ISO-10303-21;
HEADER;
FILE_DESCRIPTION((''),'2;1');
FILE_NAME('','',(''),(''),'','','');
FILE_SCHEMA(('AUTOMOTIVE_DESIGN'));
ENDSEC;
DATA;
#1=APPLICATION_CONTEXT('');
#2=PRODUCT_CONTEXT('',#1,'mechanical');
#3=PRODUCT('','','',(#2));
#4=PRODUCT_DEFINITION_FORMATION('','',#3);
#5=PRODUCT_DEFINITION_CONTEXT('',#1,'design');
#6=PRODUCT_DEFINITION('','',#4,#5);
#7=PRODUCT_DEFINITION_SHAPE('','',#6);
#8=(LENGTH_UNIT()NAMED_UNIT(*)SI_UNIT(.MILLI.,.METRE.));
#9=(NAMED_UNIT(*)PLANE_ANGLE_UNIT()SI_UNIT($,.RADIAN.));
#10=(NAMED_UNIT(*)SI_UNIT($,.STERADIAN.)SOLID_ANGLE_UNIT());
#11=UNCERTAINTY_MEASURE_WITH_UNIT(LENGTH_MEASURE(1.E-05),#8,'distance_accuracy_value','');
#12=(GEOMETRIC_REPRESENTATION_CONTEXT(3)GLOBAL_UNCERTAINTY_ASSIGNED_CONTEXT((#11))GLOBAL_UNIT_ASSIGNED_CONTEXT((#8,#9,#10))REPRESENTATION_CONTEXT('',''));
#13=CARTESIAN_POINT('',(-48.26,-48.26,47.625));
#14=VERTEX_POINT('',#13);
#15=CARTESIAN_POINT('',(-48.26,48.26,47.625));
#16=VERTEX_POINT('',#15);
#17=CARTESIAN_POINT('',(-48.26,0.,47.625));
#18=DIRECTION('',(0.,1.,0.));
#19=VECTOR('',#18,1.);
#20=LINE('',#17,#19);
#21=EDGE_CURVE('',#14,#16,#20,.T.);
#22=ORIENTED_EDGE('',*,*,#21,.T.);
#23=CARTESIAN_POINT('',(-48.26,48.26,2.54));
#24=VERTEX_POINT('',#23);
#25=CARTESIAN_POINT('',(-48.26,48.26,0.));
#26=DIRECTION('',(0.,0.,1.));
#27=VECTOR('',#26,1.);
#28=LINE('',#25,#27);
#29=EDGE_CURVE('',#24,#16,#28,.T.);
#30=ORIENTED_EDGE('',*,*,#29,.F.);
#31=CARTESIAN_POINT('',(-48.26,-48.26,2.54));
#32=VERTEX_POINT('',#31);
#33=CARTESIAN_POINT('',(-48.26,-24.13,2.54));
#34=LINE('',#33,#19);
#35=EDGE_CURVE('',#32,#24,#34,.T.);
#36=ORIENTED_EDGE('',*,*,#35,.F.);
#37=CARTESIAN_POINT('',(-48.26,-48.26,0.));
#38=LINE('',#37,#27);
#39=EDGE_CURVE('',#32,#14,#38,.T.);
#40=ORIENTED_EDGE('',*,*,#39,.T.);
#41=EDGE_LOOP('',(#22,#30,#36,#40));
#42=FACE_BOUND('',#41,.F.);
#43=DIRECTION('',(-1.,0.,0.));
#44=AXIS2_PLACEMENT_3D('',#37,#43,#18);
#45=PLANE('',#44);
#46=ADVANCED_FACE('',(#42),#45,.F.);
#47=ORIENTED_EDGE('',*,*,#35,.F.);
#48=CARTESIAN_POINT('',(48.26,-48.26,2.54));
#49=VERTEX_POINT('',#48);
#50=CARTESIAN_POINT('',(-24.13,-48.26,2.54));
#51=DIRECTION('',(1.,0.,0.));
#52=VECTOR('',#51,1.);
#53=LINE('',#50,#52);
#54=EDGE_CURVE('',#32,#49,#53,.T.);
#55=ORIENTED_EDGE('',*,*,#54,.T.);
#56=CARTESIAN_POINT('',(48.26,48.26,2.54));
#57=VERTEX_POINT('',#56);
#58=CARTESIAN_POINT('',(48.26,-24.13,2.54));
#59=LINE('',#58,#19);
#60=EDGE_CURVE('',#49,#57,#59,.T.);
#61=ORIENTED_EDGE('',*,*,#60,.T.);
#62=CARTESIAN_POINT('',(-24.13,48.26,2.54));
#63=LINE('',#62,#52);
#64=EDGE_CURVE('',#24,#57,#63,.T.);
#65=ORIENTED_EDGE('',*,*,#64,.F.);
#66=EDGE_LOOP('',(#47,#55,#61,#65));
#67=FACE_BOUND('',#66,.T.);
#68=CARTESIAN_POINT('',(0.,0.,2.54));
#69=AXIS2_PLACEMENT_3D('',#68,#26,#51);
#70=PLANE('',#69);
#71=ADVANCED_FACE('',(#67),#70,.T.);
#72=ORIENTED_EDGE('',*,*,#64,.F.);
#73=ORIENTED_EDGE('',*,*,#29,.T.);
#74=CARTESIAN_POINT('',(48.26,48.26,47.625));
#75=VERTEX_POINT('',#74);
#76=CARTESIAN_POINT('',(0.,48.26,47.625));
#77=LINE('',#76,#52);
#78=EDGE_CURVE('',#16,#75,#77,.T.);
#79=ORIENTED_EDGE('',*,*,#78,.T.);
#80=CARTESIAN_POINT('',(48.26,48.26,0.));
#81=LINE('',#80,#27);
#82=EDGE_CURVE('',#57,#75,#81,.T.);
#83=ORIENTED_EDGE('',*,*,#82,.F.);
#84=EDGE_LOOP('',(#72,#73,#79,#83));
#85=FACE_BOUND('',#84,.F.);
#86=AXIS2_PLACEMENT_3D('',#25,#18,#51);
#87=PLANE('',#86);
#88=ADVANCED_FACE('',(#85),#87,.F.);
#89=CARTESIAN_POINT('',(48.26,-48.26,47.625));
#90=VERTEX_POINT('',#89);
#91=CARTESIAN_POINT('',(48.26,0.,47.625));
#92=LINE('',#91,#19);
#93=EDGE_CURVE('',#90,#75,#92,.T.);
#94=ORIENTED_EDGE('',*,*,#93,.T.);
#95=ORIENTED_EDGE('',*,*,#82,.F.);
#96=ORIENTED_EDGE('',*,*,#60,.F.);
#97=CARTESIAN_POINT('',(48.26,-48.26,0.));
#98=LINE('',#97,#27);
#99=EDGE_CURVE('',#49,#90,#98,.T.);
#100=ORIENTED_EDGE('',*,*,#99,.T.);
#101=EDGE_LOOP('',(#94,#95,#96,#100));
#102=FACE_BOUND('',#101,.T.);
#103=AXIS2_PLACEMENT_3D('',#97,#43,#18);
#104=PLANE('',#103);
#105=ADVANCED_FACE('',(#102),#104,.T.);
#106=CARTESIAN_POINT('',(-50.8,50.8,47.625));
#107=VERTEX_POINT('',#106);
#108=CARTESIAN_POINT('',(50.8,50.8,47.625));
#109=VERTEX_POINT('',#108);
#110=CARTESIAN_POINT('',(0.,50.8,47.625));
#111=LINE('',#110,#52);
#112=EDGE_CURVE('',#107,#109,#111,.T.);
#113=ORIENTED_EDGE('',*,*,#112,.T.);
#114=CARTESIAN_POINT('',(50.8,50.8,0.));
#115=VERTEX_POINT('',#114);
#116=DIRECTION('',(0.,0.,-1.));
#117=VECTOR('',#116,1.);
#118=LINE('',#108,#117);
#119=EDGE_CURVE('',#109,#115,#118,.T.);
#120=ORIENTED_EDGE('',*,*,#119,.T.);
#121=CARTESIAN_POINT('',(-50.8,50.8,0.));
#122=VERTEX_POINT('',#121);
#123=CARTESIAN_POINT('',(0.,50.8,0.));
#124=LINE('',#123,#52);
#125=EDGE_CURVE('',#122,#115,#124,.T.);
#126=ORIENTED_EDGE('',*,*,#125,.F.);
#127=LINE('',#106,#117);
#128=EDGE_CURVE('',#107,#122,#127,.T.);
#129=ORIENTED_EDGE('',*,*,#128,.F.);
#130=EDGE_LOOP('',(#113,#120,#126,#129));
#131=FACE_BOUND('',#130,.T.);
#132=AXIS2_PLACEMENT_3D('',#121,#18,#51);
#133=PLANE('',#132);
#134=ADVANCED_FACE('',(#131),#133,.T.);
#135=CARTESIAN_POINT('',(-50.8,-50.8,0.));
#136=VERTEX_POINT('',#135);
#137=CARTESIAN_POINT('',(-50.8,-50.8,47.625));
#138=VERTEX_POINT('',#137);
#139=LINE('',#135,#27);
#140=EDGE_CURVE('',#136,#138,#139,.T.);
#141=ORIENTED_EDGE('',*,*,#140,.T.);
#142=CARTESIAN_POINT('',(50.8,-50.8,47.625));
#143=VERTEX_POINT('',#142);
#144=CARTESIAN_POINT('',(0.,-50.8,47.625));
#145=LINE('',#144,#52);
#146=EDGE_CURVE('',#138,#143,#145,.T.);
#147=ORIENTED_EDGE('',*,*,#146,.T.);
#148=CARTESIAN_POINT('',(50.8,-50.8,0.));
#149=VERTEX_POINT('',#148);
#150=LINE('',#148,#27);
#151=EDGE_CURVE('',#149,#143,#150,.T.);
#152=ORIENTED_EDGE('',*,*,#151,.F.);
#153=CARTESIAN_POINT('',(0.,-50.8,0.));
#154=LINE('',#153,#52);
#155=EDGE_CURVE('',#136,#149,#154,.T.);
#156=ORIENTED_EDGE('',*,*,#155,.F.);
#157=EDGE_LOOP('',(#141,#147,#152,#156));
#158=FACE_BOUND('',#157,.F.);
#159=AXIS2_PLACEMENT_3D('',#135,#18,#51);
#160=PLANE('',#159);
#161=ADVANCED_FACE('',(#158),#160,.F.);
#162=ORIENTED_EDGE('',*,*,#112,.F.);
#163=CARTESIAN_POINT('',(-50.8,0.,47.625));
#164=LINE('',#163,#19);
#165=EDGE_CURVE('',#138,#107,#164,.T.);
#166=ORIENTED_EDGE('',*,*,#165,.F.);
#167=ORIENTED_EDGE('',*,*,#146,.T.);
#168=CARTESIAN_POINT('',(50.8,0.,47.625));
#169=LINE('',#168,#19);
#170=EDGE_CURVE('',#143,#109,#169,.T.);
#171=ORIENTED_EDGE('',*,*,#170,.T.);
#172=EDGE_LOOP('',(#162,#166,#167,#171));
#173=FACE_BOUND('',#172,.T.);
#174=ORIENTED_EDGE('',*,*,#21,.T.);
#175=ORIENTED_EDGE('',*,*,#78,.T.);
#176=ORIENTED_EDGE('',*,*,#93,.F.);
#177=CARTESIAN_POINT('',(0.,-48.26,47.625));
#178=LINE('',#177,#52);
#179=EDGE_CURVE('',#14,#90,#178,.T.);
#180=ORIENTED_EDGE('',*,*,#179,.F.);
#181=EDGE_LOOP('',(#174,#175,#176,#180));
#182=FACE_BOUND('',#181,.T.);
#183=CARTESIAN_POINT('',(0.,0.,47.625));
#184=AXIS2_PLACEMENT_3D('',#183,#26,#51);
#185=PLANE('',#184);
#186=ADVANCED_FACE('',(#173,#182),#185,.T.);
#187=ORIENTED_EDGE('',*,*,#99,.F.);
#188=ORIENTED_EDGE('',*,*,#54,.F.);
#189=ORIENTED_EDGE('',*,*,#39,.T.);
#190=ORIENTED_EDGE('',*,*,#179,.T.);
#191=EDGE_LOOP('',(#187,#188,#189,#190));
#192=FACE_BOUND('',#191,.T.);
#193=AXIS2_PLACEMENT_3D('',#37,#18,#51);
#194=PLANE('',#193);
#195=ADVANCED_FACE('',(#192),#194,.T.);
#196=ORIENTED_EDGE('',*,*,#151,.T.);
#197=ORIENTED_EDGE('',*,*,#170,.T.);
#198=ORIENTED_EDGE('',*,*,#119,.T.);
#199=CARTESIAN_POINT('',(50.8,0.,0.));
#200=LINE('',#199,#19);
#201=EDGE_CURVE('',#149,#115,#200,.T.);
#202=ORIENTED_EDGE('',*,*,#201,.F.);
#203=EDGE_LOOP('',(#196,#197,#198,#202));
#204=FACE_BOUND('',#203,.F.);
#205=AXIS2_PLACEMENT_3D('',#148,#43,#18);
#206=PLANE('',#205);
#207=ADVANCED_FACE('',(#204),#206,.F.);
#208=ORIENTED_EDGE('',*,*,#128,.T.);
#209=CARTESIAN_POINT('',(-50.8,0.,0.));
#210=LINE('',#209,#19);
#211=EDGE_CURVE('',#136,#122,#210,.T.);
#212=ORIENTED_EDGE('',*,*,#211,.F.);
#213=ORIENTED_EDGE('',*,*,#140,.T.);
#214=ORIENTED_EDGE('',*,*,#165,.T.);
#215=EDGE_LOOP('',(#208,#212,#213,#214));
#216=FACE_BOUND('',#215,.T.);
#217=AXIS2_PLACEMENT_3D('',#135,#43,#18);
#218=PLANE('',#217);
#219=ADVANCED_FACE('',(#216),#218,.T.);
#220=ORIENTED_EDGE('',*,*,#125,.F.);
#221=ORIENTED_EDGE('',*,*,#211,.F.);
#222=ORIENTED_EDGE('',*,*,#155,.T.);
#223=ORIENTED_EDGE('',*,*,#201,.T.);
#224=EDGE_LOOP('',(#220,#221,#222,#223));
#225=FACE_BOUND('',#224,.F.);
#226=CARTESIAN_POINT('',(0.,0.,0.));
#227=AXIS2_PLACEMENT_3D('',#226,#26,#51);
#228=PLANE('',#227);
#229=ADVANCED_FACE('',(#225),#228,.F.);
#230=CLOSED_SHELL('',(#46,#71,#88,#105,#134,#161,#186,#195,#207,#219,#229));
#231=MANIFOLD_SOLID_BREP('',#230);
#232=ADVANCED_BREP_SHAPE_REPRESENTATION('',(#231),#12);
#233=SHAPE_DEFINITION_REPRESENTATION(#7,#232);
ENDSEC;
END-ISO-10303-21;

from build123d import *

# Parameters (mm, degrees)
F0_W     = 101.6
F0_H     = 101.6
F0_W_2   = 96.52
F0_H_2   = 96.52
F1_DEPTH = 47.625
F2_DEPTH = 2.54


with BuildPart() as f1:
    # F0 (on Top) → F1 (new body)
    with BuildSketch(Plane.XY):
        Rectangle(F0_W, F0_H)
        Rectangle(F0_W_2, F0_H_2, mode=Mode.SUBTRACT)
    extrude(amount=F1_DEPTH)

    # F0 (on Top) → F2 (join)
    with BuildSketch(Plane.XY):
        Rectangle(F0_W, F0_H)
        Rectangle(F0_W_2, F0_H_2, mode=Mode.SUBTRACT)
        Rectangle(F0_W_2, F0_H_2)
    extrude(amount=F2_DEPTH)


solid = f1.part
